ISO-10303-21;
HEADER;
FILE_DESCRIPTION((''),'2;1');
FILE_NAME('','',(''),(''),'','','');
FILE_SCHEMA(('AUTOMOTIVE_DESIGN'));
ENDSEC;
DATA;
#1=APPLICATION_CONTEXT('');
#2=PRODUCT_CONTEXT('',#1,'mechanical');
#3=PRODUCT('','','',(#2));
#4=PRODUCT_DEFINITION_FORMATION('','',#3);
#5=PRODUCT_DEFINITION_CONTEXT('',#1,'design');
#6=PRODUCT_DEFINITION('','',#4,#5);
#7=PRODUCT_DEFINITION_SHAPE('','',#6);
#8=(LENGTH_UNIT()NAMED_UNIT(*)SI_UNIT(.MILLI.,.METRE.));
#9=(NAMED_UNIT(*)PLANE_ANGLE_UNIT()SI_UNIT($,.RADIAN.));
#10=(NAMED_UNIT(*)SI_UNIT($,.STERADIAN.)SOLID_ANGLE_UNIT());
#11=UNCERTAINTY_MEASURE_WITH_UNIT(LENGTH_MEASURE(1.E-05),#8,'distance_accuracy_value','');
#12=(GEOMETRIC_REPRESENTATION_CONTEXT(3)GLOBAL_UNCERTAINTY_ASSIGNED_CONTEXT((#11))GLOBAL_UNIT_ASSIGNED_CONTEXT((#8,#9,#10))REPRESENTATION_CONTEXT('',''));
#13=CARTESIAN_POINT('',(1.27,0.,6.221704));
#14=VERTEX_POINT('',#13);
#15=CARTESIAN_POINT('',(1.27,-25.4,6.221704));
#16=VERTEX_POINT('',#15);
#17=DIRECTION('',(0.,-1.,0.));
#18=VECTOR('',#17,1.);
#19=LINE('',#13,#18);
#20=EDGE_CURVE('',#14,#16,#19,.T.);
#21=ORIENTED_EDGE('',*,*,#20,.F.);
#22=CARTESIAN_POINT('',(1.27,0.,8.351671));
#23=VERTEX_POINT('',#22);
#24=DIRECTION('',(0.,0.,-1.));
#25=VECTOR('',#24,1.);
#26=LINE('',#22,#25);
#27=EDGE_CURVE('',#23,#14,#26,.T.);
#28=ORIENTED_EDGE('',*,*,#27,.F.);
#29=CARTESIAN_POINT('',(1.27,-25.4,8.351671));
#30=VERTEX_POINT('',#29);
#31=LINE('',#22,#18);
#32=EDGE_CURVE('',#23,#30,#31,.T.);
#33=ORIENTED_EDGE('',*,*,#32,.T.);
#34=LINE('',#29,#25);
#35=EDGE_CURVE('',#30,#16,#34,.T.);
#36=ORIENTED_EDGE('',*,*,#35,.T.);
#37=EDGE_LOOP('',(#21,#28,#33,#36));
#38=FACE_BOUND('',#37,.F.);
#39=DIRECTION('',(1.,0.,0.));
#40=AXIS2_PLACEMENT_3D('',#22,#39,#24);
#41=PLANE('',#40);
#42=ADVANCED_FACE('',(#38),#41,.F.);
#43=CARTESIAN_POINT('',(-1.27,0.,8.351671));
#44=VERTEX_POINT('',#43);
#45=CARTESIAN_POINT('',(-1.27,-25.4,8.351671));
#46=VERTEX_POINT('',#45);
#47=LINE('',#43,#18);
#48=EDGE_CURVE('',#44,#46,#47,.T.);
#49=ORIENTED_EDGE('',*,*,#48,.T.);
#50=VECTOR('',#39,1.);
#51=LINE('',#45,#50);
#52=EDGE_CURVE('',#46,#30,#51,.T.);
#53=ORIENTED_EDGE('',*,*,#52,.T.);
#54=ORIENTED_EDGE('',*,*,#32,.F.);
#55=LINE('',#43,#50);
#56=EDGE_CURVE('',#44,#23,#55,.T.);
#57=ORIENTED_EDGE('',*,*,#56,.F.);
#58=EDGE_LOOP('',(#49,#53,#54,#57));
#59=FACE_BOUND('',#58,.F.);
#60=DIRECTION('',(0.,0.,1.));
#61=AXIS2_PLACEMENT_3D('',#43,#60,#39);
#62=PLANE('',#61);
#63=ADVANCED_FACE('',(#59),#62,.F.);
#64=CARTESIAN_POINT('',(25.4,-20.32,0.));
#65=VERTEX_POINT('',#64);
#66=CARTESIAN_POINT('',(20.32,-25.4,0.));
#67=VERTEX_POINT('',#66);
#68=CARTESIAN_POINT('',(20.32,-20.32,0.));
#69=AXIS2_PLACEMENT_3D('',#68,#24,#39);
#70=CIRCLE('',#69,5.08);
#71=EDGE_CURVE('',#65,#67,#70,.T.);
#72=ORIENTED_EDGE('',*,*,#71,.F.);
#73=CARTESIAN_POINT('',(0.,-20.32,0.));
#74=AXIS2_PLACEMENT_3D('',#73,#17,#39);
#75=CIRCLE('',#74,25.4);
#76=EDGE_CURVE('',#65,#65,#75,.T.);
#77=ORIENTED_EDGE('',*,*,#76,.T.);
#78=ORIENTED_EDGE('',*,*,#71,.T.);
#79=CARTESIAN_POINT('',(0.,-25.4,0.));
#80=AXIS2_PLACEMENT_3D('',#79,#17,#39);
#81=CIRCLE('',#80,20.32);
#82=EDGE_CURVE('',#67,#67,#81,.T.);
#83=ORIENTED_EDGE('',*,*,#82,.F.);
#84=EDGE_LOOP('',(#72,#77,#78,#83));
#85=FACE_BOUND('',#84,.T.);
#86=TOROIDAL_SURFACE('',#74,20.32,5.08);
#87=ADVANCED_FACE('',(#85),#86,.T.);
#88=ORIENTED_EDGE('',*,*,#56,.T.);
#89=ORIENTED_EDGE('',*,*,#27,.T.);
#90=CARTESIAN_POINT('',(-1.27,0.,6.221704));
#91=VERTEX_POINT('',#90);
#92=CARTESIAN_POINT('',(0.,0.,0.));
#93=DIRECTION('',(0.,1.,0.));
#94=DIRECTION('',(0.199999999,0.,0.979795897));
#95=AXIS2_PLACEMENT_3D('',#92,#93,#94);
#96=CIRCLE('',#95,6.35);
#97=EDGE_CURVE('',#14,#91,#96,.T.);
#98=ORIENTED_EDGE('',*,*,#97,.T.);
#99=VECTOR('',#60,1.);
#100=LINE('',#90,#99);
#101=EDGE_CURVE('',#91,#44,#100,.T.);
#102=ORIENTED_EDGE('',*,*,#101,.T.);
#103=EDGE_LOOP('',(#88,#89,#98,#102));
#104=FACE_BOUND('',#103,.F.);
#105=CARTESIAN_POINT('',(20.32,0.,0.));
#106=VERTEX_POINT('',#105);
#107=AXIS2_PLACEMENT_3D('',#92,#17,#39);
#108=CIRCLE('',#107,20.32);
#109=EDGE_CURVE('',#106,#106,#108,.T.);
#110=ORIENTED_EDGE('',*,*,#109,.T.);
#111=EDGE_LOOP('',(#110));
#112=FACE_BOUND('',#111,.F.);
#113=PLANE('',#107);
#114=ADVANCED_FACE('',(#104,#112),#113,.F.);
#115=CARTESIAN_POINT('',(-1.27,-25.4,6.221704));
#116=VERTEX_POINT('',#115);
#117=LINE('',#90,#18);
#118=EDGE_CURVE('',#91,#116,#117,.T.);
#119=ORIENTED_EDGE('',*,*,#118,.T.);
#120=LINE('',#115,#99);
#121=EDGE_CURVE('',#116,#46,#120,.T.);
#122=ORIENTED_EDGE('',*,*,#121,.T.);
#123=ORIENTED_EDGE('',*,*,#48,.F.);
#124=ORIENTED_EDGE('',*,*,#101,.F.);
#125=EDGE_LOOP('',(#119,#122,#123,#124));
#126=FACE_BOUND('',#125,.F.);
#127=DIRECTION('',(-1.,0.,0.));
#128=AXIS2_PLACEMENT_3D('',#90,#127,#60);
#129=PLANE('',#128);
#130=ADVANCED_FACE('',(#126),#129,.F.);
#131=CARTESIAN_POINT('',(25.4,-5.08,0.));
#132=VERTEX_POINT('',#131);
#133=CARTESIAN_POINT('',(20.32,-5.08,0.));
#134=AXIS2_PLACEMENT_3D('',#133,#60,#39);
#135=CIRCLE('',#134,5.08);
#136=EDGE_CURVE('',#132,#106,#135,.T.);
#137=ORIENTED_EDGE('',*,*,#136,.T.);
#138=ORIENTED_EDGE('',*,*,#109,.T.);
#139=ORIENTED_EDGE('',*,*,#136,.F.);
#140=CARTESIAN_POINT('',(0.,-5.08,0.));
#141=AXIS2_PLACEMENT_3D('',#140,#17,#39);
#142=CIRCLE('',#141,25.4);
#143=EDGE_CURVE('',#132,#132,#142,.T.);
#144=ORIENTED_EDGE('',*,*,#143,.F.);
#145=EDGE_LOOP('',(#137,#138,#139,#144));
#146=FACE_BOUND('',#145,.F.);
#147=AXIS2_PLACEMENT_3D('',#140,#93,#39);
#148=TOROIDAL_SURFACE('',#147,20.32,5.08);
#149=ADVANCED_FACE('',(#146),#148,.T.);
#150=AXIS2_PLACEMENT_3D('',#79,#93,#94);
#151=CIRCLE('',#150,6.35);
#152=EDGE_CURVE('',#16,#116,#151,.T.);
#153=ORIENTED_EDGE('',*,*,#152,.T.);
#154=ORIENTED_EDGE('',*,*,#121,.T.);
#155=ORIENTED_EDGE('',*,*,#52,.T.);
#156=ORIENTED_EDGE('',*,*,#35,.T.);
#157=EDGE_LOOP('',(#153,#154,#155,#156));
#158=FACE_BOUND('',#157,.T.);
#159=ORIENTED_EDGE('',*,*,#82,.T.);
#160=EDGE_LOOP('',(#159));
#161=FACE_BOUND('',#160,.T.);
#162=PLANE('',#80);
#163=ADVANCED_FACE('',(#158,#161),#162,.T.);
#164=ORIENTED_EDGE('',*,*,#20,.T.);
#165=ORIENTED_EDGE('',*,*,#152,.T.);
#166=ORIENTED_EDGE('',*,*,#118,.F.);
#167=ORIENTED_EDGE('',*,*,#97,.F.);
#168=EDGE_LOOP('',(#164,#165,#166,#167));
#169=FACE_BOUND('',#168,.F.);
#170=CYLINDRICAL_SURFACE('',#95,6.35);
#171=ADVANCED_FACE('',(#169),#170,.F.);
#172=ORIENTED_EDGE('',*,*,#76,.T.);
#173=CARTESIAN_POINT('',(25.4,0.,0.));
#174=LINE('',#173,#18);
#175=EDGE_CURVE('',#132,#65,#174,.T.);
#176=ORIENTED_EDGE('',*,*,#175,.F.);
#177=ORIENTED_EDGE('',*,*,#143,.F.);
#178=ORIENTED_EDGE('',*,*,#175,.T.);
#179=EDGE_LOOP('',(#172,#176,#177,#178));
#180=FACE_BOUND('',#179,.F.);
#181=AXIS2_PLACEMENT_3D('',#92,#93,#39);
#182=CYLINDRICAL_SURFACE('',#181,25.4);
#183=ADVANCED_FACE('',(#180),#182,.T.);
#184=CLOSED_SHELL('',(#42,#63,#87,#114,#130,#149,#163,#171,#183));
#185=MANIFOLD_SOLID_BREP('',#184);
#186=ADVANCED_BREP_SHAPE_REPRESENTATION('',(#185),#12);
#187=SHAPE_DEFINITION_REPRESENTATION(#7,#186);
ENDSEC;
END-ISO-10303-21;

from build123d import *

# Parameters (mm, degrees)
F0_R     = 25.4
F1_DEPTH = 25.4
F2_R     = 5.08


with BuildPart() as f1:
    # F0 (on Front) → F1 (new body)
    with BuildSketch(Plane.XZ):
        Circle(F0_R)
        with BuildLine():
            ThreePointArc((1.27, 6.221704), (0, -6.35), (-1.27, 6.221704))
            Line((-1.27, 6.221704), (-1.27, 8.351671))
            Line((-1.27, 8.351671), (1.27, 8.351671))
            Line((1.27, 8.351671), (1.27, 6.221704))
        make_face(mode=Mode.SUBTRACT)
    extrude(amount=F1_DEPTH)

    # F2
    f2_edges = [f1.edges().sort_by_distance(p)[0] for p in [
        (-25.4, 0, 0),
        (-25.4, -25.4, 0),
    ]]
    fillet(f2_edges, radius=F2_R)


solid = f1.part
